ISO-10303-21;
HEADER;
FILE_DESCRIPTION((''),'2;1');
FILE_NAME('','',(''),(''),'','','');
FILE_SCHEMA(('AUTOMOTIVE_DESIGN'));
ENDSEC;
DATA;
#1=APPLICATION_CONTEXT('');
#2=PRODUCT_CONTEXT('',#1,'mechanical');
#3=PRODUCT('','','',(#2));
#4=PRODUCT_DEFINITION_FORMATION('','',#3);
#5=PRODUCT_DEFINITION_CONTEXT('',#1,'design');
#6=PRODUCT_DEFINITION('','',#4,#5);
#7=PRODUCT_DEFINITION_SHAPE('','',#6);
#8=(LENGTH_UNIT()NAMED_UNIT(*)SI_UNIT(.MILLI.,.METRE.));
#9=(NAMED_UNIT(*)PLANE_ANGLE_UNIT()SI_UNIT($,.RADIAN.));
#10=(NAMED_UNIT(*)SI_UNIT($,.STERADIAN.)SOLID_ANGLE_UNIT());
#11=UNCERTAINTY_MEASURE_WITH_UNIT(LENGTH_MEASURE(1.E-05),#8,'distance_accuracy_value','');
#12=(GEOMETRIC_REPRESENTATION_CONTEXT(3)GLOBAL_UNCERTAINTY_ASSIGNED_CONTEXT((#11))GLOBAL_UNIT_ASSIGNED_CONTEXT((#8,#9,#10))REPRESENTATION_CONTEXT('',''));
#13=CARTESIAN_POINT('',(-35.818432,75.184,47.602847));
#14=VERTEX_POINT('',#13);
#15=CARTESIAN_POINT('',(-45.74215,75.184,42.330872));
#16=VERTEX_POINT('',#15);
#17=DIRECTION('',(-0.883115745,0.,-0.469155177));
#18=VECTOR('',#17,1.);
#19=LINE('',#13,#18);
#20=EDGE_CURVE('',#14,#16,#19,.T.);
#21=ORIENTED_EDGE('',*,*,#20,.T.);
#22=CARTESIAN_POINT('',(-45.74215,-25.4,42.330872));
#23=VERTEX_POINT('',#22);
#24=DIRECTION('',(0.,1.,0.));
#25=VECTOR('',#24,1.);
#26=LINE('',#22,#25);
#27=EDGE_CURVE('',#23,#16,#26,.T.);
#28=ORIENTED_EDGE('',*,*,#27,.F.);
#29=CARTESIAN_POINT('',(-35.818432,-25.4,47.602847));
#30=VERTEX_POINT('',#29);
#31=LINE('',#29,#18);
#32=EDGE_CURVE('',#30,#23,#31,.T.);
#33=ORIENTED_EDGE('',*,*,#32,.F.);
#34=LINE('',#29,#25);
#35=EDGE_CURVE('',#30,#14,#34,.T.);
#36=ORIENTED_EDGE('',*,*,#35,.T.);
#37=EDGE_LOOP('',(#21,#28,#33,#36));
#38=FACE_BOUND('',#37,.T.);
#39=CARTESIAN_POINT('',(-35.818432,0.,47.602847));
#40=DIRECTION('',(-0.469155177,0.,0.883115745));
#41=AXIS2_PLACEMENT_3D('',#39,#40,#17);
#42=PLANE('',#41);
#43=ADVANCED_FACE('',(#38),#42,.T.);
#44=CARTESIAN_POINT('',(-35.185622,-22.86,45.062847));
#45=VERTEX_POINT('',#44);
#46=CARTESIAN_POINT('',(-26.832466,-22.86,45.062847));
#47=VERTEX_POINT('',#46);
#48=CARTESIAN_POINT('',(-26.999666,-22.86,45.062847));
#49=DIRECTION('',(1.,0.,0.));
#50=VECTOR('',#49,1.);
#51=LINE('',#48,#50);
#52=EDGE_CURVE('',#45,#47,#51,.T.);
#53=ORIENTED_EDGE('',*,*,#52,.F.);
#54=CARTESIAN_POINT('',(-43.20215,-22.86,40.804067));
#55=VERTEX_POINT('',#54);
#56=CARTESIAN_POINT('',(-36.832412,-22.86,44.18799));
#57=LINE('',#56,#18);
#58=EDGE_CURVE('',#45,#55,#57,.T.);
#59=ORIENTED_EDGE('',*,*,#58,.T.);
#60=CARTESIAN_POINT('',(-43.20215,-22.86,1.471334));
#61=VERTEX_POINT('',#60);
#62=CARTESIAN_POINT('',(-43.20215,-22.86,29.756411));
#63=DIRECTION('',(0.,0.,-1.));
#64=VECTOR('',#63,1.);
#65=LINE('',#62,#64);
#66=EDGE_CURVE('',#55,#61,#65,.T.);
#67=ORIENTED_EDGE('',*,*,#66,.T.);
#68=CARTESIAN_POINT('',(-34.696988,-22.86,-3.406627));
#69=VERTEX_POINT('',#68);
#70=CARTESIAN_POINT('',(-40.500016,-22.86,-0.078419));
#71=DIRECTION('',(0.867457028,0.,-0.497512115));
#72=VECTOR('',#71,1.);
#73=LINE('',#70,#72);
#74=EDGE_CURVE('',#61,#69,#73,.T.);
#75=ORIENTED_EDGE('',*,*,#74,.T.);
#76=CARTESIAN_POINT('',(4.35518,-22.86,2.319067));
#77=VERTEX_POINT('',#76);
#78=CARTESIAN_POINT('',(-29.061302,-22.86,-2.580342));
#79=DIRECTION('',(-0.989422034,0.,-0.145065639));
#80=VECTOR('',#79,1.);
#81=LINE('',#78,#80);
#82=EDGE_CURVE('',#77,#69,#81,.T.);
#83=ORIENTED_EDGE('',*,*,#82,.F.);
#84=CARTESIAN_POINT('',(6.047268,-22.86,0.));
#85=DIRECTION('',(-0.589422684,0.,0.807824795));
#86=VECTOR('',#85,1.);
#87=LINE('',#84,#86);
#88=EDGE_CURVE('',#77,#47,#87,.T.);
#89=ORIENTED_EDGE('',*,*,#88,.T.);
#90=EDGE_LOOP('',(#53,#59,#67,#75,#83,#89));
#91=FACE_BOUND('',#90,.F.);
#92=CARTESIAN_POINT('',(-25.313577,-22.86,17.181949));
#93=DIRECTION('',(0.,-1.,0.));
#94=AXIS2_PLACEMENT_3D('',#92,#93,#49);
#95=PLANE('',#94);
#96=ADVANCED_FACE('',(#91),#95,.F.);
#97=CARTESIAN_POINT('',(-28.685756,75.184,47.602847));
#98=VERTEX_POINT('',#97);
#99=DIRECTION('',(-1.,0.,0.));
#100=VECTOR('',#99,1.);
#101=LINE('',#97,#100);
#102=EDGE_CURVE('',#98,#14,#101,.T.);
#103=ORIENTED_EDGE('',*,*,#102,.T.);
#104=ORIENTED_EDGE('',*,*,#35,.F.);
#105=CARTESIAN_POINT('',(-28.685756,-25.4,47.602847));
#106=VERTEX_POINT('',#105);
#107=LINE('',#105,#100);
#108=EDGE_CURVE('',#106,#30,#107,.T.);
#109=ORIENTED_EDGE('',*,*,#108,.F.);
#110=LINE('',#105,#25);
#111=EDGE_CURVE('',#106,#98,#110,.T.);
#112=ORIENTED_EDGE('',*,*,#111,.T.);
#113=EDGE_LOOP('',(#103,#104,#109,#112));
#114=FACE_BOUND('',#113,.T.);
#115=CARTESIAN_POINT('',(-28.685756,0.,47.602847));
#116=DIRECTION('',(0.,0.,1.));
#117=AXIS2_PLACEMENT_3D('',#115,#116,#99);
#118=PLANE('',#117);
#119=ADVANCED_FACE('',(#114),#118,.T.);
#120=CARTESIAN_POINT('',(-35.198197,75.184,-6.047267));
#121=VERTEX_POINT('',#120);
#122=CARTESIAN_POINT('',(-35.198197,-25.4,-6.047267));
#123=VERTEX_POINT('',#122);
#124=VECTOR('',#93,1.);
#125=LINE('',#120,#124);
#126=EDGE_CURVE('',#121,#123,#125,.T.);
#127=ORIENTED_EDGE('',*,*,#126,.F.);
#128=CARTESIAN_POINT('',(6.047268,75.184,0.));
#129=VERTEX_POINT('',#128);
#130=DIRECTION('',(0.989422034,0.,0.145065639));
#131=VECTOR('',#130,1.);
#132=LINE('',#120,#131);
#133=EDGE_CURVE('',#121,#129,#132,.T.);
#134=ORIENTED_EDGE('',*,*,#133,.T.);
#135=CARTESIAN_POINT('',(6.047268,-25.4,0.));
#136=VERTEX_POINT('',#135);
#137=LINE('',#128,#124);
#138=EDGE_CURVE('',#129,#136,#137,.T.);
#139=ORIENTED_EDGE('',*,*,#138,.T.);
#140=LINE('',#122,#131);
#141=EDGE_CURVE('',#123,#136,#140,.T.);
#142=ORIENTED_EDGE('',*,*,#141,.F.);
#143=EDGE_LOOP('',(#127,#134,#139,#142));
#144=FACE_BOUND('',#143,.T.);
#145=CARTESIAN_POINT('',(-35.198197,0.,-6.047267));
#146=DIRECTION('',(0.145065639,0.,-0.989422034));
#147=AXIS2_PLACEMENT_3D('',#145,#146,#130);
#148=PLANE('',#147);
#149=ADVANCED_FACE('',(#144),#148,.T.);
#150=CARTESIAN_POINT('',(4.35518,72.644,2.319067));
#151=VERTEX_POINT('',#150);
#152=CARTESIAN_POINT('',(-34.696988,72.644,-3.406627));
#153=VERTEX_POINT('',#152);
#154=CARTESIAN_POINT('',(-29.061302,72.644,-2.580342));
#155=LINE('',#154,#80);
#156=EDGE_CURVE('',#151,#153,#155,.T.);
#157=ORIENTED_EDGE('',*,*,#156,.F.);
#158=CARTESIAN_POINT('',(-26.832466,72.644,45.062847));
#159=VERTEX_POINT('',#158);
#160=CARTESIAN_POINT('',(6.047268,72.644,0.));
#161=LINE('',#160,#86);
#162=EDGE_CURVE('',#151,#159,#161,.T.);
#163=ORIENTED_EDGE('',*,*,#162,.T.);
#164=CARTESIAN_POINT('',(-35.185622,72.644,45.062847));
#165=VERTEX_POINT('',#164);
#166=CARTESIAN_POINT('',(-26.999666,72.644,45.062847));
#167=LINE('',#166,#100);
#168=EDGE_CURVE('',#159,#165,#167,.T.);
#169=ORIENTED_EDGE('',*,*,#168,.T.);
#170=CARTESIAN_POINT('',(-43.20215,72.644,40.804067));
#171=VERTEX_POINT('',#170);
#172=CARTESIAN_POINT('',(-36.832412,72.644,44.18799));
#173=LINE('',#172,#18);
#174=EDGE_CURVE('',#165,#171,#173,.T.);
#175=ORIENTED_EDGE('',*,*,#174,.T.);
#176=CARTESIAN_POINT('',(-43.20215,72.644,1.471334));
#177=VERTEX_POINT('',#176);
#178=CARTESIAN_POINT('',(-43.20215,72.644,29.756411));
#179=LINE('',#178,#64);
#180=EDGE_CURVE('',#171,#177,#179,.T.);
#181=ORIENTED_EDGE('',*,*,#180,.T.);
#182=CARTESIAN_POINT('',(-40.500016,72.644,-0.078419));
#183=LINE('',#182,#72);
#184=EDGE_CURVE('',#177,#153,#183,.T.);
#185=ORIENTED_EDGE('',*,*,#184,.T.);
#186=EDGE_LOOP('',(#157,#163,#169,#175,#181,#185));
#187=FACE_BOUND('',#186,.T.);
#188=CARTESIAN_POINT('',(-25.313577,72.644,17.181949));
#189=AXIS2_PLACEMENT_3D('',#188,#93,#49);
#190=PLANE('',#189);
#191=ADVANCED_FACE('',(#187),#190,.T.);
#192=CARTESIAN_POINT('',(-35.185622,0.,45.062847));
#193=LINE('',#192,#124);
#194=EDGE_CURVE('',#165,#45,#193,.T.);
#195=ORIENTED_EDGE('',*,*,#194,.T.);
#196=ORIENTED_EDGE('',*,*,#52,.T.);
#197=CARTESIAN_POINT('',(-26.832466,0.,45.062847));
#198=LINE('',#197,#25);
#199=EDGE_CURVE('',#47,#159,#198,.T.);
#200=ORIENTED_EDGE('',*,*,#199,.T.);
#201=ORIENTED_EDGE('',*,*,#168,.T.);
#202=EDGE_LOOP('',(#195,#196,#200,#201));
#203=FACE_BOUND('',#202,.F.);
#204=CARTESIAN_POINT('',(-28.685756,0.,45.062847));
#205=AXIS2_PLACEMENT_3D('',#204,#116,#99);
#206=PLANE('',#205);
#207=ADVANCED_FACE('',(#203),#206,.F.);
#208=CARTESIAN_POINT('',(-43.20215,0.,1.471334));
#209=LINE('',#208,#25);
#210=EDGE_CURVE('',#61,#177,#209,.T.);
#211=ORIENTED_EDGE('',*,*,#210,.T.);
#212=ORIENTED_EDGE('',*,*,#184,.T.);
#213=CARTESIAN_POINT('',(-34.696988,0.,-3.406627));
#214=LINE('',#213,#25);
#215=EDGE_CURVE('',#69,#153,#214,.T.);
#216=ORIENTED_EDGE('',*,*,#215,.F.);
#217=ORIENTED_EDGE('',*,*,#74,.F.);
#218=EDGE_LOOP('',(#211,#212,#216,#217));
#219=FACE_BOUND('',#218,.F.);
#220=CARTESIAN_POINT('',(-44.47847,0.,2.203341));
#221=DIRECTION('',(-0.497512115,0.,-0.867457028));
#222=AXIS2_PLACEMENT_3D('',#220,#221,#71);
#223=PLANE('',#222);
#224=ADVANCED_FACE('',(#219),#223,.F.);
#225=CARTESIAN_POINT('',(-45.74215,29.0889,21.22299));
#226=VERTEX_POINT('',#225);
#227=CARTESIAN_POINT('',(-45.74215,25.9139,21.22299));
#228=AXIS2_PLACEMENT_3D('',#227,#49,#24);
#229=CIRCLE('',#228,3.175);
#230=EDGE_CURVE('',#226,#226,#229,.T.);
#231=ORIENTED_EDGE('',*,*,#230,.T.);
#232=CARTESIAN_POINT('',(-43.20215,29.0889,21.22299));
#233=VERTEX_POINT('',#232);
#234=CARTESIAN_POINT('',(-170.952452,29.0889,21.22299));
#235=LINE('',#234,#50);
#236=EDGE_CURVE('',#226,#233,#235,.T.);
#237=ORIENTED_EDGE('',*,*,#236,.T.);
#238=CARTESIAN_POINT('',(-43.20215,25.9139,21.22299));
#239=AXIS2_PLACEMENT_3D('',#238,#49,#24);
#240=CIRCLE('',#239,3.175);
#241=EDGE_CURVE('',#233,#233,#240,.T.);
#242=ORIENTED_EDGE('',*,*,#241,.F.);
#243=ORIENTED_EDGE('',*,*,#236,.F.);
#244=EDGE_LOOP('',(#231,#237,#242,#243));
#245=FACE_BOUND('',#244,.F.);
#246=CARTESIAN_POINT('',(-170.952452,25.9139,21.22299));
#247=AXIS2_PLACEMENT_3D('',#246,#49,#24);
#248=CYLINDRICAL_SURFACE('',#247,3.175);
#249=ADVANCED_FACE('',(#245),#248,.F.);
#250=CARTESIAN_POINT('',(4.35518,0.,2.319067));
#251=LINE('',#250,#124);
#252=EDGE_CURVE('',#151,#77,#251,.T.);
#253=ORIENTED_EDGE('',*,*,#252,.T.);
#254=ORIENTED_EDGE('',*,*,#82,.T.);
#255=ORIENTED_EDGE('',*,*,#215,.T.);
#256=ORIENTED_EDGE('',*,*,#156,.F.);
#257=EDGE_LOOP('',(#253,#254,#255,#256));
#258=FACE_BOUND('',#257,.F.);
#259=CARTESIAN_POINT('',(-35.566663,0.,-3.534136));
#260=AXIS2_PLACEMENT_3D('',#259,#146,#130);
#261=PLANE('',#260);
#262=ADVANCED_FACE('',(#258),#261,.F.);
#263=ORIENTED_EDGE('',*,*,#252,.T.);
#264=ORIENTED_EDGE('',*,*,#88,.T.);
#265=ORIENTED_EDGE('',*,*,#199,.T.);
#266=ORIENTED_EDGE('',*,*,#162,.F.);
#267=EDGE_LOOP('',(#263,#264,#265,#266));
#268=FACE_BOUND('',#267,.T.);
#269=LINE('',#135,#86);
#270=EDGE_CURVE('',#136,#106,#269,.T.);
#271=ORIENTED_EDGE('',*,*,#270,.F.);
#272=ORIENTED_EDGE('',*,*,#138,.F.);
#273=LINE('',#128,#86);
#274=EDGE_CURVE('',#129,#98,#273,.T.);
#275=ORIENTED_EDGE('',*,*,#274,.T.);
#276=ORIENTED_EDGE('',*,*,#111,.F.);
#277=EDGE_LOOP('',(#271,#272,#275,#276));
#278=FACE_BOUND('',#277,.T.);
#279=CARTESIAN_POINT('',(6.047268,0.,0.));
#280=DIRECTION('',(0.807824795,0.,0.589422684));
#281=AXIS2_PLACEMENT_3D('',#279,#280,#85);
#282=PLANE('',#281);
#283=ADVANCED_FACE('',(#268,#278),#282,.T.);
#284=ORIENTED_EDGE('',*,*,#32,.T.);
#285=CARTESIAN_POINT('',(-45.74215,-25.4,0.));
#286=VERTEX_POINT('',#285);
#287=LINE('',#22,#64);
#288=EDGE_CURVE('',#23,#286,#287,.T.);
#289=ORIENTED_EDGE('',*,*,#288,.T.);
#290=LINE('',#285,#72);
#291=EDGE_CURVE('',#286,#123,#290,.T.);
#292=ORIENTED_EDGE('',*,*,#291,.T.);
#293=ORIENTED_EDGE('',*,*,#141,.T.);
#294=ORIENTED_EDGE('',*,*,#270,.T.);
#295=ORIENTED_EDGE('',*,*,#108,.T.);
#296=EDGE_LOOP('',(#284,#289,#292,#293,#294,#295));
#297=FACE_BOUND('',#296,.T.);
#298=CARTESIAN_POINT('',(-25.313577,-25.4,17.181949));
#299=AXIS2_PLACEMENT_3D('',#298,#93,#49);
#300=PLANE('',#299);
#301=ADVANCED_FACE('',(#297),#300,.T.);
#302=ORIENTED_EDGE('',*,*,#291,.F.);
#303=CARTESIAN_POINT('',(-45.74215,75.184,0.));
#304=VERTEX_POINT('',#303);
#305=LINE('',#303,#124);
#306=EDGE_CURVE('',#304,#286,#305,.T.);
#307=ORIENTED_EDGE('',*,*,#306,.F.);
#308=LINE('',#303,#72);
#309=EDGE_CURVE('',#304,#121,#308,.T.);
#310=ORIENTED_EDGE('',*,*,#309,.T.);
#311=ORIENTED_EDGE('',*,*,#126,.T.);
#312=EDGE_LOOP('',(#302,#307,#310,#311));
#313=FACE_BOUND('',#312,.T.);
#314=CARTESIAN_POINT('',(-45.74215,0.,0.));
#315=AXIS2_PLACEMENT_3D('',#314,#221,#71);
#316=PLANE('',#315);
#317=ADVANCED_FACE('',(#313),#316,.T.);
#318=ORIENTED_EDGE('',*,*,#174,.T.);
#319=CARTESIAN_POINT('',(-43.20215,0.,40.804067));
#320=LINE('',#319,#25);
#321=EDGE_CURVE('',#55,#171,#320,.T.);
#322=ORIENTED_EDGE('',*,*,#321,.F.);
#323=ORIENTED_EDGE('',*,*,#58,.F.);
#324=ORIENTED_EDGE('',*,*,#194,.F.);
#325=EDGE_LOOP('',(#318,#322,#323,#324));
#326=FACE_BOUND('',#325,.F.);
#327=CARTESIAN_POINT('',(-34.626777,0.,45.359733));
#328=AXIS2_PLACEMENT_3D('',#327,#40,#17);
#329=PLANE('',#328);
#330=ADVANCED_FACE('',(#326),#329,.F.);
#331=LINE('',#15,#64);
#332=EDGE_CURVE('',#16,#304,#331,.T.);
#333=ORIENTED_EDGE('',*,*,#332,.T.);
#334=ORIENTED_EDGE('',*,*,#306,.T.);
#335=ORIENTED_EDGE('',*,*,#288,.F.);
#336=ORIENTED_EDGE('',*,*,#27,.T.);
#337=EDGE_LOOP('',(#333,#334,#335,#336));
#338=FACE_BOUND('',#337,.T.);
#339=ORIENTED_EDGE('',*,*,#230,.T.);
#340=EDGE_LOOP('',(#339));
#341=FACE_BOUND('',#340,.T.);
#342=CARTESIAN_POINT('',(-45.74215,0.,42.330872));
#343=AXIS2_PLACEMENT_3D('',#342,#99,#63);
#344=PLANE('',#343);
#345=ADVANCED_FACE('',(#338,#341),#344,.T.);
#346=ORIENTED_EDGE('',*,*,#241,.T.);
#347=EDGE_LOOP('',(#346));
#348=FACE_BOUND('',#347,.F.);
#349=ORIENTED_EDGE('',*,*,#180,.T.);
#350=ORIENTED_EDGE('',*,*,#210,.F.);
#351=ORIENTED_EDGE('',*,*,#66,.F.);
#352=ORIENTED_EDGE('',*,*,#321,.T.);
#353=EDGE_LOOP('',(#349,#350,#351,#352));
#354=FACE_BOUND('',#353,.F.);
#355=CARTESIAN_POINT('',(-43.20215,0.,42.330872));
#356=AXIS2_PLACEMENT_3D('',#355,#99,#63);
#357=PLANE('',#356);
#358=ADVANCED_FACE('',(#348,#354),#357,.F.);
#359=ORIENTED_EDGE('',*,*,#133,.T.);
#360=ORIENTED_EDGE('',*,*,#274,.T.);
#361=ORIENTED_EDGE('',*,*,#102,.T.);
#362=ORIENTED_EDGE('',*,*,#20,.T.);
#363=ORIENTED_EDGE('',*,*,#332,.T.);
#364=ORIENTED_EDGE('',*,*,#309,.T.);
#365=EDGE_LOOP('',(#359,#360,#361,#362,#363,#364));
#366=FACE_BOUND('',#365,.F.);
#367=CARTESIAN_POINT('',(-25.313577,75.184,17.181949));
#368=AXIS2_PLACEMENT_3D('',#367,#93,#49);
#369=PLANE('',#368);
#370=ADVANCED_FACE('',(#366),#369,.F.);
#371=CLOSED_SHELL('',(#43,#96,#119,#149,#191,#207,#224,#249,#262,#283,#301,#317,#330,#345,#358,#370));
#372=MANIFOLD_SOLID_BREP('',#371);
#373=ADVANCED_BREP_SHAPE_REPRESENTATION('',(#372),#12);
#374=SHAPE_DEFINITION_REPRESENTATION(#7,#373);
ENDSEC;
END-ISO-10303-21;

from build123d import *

# Parameters (mm, degrees)
F1_DEPTH = 25.4
F2_DEPTH = 75.184
F3_T     = -2.54
F6_D     = 6.35


with BuildPart() as f1:
    # F0 (on Front) → F1 (new body)
    with BuildSketch(Plane.XZ):
        Polygon((-45.7421503961, 42.3308722675), (-45.7421503961, 0), (-35.1981967688, -6.0472674668), (6.0472679324, 0), (-28.6857560277, 47.6028472185), (-35.8184315264, 47.6028472185), align=None)
    extrude(amount=F1_DEPTH)

    # F2 (add): a face of the model
    f2_faces = [f1.faces().sort_by_distance(p)[0] for p in [
        (-26.6568432389, 0, 17.4826734164),
    ]]
    extrude(f2_faces, amount=F2_DEPTH)

    # F3
    f3_openings = [f1.faces().sort_by_distance(p)[0] for p in [
        (-11.319244, 24.892, 23.801424),
    ]]
    offset(amount=F3_T, openings=f3_openings)

    # F6 (through all)
    with Locations(Plane(origin=(-45.7421503961, 0, 0), x_dir=(0, -1, 0), z_dir=(-1, 0, 0))):
        with Locations((-25.9138997644, 21.2229900062)):
            Hole(F6_D / 2)


solid = f1.part
